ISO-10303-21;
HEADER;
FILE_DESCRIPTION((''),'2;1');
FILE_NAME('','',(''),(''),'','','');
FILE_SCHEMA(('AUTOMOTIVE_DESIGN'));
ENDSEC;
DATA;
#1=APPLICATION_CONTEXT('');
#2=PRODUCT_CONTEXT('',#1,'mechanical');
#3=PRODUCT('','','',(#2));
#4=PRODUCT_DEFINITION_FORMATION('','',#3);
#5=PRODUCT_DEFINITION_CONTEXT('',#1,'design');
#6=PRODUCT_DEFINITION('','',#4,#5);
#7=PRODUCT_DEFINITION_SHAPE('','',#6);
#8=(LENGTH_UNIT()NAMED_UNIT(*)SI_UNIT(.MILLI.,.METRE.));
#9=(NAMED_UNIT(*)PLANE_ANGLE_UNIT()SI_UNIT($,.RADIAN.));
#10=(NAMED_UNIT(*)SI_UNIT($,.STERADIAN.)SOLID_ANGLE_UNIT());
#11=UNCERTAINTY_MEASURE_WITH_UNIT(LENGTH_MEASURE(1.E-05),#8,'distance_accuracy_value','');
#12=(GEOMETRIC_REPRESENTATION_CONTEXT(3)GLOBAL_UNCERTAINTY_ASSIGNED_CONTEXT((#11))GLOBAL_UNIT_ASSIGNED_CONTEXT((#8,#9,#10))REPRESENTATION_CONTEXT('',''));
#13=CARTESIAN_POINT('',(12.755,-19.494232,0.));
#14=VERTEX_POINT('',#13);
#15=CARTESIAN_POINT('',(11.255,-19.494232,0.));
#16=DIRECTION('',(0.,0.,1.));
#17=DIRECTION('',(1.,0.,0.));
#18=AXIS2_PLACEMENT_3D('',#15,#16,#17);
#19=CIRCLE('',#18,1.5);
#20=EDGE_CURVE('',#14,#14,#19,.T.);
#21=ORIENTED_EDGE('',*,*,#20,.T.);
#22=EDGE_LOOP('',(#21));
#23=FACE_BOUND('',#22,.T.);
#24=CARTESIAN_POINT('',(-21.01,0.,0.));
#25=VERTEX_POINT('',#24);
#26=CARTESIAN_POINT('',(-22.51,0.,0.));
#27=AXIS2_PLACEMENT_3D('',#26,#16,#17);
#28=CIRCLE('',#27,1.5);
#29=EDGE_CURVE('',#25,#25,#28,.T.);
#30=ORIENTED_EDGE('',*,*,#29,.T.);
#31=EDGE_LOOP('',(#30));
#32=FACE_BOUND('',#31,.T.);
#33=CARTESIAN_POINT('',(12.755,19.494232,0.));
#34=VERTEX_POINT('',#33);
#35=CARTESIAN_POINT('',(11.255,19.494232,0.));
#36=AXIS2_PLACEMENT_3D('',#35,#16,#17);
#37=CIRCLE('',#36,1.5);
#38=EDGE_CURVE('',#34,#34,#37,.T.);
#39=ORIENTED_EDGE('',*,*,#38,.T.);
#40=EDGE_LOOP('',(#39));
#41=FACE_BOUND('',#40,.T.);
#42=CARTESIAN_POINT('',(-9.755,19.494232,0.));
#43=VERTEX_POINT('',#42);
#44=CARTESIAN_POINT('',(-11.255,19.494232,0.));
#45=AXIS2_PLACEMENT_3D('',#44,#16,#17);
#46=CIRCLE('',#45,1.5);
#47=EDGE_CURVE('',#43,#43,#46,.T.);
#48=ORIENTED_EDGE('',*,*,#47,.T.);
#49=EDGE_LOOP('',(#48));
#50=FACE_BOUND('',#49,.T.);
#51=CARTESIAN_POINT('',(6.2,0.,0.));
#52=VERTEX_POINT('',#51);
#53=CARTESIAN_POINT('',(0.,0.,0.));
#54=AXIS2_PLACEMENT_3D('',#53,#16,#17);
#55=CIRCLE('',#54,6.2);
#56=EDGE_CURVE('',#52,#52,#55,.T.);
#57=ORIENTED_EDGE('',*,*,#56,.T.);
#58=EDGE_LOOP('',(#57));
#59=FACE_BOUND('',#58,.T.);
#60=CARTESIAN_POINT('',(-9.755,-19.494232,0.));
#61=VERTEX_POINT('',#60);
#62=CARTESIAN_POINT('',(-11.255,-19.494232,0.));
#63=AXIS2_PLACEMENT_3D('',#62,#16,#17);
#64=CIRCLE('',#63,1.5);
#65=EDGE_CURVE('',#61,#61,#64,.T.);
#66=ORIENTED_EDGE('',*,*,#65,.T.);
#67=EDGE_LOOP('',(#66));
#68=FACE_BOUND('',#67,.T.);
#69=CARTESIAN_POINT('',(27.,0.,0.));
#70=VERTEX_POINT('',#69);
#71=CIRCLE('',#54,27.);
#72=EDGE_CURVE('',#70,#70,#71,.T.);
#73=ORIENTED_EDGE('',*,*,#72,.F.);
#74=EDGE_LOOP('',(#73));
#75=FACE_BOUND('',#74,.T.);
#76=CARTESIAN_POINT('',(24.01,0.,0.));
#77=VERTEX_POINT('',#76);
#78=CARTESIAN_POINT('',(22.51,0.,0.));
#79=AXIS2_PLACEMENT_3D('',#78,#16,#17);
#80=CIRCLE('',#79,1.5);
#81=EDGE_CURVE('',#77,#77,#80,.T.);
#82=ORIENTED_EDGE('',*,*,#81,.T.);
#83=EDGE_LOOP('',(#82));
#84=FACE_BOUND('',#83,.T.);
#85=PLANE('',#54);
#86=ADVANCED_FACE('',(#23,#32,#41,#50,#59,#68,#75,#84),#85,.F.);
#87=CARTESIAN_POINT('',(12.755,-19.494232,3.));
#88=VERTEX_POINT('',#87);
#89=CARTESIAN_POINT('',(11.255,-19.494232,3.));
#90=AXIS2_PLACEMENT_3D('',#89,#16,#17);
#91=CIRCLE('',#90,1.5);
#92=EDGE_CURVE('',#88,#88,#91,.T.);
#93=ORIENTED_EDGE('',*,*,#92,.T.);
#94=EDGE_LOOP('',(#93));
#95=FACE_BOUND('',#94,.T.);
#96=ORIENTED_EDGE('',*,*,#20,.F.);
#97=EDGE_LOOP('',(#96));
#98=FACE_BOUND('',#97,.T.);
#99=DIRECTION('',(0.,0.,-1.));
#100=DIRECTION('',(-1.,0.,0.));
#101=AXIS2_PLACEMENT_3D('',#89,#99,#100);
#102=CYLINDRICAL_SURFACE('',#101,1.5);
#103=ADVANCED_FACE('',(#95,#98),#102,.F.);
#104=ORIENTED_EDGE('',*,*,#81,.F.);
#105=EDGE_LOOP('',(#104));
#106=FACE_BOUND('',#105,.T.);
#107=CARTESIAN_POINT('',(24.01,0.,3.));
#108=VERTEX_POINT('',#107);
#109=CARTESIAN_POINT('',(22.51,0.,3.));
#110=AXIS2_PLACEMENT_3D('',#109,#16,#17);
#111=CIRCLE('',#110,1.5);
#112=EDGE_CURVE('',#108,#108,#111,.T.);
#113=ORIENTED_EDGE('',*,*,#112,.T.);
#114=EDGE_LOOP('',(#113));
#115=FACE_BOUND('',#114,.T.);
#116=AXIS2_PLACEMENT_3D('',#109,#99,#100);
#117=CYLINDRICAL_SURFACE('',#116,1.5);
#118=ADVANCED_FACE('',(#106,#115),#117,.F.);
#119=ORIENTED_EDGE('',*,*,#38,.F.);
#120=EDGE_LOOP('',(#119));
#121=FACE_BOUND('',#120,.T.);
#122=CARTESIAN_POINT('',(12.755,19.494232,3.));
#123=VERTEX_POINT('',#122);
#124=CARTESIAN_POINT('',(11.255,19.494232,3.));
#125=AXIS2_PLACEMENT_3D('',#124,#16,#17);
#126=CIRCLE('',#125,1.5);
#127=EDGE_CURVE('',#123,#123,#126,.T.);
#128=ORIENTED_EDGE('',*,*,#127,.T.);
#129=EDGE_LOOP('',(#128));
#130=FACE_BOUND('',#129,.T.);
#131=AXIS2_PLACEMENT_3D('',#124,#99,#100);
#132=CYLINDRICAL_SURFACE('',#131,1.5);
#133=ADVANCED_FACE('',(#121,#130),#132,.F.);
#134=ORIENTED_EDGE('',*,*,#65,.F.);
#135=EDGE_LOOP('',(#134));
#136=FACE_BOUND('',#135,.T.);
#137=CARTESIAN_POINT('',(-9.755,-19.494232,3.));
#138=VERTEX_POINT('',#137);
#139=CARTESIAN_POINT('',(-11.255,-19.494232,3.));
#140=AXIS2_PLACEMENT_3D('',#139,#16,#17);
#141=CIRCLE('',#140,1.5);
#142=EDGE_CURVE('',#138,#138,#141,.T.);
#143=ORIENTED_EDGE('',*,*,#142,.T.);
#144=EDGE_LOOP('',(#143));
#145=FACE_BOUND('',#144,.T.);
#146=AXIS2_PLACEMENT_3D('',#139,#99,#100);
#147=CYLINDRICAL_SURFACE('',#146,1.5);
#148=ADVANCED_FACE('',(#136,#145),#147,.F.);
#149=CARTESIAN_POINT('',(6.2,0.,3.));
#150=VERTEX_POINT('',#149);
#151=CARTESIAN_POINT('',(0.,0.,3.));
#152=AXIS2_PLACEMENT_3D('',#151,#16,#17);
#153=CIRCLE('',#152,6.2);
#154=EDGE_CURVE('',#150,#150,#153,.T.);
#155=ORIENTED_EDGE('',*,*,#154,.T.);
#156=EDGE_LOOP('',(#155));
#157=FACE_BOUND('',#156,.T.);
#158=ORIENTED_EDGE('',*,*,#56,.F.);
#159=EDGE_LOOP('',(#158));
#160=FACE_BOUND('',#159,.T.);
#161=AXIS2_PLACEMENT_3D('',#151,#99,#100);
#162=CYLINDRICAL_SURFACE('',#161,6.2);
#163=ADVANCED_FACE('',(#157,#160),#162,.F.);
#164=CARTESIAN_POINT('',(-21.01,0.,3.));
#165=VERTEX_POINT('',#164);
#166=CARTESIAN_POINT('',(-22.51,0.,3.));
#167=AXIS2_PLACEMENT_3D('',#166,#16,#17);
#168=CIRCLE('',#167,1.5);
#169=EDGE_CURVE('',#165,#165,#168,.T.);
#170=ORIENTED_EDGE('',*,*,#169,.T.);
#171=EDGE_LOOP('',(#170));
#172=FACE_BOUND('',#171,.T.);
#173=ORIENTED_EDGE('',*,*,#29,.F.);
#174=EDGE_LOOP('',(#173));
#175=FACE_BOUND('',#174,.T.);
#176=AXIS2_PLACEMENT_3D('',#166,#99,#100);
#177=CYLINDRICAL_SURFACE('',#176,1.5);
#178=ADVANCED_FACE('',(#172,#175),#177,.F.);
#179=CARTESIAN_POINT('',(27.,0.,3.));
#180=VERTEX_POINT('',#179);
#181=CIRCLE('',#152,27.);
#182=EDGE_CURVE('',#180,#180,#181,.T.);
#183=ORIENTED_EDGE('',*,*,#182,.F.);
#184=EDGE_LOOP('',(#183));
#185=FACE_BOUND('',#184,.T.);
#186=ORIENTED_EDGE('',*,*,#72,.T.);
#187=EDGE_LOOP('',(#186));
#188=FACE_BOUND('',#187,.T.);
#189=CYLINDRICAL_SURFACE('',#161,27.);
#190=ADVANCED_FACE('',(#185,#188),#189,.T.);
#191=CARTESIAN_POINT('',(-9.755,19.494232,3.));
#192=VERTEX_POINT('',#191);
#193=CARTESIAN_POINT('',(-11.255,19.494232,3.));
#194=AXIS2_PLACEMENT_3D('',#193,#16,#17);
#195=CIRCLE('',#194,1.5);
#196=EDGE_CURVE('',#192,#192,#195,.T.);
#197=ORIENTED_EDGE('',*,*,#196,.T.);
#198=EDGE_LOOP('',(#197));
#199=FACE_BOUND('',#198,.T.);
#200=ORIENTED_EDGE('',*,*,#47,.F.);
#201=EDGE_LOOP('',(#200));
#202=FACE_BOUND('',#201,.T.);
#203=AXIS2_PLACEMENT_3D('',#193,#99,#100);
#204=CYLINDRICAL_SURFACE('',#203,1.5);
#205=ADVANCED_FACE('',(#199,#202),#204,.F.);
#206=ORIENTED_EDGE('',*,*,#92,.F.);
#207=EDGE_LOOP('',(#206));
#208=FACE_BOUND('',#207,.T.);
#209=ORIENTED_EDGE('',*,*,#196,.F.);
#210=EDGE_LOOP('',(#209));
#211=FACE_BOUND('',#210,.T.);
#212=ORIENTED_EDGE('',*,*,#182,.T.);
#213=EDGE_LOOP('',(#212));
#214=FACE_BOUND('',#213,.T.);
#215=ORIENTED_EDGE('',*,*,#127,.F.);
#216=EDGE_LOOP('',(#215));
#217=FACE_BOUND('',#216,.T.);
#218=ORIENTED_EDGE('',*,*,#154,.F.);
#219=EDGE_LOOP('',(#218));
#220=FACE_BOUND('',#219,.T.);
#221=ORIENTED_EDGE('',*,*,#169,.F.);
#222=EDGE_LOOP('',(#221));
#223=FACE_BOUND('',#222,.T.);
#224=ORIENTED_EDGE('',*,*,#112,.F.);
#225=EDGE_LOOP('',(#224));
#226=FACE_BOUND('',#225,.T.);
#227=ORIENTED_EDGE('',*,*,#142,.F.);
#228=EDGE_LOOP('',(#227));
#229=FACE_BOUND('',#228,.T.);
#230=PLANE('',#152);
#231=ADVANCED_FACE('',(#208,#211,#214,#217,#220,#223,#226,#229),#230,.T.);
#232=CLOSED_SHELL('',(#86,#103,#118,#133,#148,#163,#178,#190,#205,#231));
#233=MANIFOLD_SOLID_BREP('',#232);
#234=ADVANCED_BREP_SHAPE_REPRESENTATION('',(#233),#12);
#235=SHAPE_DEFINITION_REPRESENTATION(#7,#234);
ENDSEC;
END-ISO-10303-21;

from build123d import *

# Parameters (mm, degrees)
SKETCH_2_R      = 27
SKETCH_2_R_2    = 6.2
SKETCH_2_R_3    = 1.5
EXTRUDE_1_DEPTH = 3


with BuildPart() as part:
    # 草图2 → 凸台-拉伸1 (new body)
    with BuildSketch(Plane.XY):
        Circle(SKETCH_2_R)
        Circle(SKETCH_2_R_2, mode=Mode.SUBTRACT)
        with Locations((22.51, 0)):
            Circle(SKETCH_2_R_3, mode=Mode.SUBTRACT)
        with Locations((11.255, -19.494231839)):
            Circle(SKETCH_2_R_3, mode=Mode.SUBTRACT)
        with Locations((-11.255, -19.494231839)):
            Circle(SKETCH_2_R_3, mode=Mode.SUBTRACT)
        with Locations((-22.51, 0)):
            Circle(SKETCH_2_R_3, mode=Mode.SUBTRACT)
        with Locations((-11.255, 19.494231839)):
            Circle(SKETCH_2_R_3, mode=Mode.SUBTRACT)
        with Locations((11.255, 19.494231839)):
            Circle(SKETCH_2_R_3, mode=Mode.SUBTRACT)
    extrude(amount=EXTRUDE_1_DEPTH)


solid = part.part
